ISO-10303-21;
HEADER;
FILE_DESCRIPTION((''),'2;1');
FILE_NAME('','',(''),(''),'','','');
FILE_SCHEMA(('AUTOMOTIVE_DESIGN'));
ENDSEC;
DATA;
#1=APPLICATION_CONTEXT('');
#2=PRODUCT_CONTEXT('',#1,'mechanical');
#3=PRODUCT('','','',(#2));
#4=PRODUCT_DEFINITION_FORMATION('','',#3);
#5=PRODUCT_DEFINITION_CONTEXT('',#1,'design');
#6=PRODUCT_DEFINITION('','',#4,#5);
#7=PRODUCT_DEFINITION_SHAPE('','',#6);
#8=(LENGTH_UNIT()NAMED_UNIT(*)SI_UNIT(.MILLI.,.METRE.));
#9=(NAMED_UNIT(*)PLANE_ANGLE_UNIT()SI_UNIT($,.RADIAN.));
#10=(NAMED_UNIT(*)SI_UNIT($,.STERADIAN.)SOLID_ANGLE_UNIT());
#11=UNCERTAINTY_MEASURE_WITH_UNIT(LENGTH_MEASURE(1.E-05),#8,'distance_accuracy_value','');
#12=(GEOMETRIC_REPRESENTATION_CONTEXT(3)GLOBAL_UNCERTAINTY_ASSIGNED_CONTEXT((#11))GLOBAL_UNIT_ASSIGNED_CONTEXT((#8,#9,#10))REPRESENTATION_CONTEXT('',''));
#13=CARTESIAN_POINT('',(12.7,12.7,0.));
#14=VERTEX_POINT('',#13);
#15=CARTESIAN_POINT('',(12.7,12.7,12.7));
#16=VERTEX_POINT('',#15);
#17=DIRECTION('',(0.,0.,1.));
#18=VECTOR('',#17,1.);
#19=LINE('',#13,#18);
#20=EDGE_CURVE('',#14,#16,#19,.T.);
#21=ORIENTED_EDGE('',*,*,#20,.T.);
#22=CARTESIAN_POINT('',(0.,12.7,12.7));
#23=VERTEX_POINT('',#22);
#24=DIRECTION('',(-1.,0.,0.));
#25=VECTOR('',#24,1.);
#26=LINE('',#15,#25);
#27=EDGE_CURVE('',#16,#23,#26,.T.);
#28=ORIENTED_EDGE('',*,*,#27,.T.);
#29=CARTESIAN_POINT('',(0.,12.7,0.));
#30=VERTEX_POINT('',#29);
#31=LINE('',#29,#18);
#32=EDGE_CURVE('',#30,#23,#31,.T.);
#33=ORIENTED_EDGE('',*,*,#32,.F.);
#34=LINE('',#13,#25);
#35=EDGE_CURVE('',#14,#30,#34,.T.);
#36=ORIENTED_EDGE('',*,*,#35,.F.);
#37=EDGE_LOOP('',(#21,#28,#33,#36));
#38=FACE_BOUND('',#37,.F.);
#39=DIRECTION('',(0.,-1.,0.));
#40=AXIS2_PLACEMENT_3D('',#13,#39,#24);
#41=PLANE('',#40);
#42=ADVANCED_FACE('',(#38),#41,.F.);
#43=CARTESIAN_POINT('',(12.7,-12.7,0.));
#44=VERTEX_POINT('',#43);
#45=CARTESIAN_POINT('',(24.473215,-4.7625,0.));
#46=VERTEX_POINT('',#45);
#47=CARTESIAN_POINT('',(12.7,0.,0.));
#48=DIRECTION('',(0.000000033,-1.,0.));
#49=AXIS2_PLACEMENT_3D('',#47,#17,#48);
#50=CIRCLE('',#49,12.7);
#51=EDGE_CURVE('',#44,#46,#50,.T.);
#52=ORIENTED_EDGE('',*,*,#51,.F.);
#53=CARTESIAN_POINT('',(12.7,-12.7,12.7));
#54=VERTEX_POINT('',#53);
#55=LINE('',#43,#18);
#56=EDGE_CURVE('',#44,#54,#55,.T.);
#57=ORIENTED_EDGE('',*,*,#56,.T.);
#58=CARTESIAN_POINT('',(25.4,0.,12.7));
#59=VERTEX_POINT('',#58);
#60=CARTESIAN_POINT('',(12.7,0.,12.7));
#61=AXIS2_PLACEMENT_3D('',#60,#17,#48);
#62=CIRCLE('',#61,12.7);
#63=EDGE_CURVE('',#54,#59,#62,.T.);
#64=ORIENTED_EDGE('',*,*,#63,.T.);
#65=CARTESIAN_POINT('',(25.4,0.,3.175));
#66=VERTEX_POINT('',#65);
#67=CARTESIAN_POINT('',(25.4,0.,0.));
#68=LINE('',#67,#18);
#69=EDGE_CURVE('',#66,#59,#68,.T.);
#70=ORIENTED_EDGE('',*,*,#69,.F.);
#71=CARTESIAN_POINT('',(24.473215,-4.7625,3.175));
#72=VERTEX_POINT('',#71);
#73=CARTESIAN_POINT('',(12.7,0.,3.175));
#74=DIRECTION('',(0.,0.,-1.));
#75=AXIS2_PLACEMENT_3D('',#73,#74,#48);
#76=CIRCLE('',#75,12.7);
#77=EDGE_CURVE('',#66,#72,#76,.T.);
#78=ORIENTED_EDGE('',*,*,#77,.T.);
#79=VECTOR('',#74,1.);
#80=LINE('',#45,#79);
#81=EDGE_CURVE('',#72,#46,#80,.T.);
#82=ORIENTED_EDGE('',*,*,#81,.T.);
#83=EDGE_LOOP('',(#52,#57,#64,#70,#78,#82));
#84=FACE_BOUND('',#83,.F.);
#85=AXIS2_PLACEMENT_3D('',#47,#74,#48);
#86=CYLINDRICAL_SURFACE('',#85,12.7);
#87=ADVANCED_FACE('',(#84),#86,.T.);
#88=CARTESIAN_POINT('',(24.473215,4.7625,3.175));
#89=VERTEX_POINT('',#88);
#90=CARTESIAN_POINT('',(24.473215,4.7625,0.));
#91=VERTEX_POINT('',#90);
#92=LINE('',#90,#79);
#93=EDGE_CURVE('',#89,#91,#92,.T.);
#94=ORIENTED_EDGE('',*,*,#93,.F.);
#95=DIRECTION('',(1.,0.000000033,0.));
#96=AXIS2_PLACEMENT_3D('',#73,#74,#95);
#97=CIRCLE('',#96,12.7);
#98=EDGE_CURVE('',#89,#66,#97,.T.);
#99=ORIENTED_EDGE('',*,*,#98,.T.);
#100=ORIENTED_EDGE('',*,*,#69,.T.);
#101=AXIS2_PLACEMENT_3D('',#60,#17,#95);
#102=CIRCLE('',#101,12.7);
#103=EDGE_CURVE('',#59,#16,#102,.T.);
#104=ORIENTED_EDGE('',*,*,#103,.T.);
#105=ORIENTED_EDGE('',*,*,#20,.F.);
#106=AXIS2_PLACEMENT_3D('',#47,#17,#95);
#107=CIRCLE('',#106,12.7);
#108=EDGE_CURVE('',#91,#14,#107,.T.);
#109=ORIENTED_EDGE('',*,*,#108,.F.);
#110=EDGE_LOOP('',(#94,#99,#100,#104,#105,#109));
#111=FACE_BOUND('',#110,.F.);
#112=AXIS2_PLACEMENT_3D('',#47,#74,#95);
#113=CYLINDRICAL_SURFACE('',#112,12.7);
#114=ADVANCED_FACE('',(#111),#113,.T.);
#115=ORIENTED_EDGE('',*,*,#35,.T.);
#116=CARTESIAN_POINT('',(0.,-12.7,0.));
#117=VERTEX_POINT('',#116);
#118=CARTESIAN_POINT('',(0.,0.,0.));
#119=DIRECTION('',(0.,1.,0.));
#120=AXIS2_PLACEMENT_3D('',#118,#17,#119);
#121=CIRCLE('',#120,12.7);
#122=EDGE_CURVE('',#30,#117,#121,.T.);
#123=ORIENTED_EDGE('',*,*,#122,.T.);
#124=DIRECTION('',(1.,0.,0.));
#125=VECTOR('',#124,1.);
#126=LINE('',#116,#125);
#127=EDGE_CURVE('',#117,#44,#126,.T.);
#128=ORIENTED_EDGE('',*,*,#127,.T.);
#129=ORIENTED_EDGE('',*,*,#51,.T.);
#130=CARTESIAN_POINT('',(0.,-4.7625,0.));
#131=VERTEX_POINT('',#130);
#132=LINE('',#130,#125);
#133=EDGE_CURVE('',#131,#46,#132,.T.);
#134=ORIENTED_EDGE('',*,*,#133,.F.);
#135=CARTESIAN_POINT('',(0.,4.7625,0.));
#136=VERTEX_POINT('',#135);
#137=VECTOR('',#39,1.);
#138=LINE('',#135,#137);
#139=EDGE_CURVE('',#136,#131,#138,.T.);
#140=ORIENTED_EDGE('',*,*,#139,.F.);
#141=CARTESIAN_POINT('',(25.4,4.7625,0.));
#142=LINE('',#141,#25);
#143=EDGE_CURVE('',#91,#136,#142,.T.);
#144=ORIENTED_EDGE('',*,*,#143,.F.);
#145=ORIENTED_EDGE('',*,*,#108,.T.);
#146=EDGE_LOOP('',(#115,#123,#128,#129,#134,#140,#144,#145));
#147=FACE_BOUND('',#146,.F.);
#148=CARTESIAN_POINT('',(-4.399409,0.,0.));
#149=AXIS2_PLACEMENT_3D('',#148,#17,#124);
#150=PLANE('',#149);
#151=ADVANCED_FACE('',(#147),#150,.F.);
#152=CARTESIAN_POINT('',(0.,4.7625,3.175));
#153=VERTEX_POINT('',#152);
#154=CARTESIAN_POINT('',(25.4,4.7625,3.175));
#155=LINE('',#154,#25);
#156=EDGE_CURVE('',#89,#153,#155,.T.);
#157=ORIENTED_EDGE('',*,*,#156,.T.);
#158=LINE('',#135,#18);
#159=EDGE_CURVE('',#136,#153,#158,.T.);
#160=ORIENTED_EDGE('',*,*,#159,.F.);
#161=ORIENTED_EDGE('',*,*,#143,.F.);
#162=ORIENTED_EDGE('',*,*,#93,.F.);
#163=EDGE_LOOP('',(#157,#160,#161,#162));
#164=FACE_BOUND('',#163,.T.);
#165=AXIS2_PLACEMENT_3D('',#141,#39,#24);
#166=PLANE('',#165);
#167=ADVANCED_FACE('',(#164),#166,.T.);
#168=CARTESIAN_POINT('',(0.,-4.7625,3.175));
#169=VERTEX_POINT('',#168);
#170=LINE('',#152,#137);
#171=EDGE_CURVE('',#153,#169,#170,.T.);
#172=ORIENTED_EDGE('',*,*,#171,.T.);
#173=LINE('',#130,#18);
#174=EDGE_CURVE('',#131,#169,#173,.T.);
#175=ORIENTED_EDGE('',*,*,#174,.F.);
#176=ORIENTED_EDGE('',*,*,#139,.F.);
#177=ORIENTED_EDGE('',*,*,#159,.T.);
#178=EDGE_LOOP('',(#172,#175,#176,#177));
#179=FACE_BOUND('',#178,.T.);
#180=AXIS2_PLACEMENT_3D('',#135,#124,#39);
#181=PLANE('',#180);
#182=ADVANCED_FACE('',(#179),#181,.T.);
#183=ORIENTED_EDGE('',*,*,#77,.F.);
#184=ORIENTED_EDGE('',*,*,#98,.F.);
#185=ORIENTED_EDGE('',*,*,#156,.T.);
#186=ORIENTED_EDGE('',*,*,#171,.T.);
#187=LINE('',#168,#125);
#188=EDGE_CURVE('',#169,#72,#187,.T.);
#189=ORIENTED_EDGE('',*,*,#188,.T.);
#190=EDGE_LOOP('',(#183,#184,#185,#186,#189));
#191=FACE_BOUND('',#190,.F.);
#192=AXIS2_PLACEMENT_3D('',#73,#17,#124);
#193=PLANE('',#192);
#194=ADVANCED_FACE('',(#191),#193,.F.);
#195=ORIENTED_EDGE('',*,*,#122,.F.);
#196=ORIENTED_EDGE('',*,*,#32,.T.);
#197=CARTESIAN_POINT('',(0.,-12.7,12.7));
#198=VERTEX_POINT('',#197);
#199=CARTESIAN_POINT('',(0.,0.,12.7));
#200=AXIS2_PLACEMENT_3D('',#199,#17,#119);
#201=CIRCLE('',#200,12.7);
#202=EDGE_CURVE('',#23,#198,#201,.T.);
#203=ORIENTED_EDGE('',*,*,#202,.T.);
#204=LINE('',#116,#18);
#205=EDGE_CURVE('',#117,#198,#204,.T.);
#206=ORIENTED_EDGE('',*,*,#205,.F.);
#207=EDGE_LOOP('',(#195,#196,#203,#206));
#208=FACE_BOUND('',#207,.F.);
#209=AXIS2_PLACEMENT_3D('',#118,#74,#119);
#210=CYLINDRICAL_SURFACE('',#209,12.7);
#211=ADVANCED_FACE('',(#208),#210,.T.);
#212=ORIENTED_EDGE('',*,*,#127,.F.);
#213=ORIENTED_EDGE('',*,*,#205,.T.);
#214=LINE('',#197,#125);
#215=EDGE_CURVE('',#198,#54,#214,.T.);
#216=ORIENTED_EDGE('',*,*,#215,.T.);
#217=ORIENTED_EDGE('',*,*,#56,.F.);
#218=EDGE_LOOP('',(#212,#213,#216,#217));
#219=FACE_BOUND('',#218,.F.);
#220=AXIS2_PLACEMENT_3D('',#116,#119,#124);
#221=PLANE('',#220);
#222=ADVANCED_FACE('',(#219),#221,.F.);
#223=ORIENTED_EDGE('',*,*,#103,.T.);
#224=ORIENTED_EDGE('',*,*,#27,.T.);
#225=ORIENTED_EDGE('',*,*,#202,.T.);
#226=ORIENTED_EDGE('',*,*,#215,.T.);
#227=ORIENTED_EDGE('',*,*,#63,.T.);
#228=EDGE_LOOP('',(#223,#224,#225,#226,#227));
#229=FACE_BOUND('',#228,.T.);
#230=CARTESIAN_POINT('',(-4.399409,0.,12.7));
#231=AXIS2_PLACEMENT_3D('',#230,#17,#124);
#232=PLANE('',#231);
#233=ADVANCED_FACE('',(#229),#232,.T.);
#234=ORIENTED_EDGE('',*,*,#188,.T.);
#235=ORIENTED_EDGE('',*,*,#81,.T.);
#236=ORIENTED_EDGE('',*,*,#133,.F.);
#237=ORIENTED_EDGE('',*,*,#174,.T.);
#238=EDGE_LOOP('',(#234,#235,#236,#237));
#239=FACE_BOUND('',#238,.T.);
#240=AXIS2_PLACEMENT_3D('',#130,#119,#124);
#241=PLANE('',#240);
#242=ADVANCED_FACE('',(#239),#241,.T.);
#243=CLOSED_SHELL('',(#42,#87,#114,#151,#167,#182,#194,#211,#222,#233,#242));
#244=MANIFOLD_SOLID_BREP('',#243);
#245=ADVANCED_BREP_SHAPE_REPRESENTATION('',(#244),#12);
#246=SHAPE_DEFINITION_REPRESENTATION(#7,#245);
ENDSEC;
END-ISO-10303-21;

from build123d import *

# Parameters (mm, degrees)
F1_DEPTH = 12.7
F3_DEPTH = 3.175


with BuildPart() as f1:
    # F0 (on Top) → F1 (new body)
    with BuildSketch(Plane.XY):
        with BuildLine():
            Line((0, 0), (0, 12.7))
            ThreePointArc((0, 12.7), (-12.7, 0), (0, -12.7))
            Line((0, -12.7), (0, 0))
        make_face()
        with BuildLine():
            Line((12.7, 0), (0, 0))
            ThreePointArc((0, 0), (1.701477, -6.35), (6.35, -10.998523))
            ThreePointArc((6.35, -10.998523), (10.998523, -6.35), (12.7, 0))
        make_face()
        with BuildLine():
            Line((0, 0), (0, -12.7))
            ThreePointArc((0, -12.7), (3.287002, -12.267258), (6.35, -10.998523))
            ThreePointArc((6.35, -10.998523), (1.701477, -6.35), (0, 0))
        make_face()
        with BuildLine():
            ThreePointArc((6.35, 10.998523), (3.287002, 12.267258), (0, 12.7))
            Line((0, 12.7), (0, 0))
            ThreePointArc((0, 0), (1.701477, 6.35), (6.35, 10.998523))
        make_face()
        with BuildLine():
            ThreePointArc((12.7, 0), (10.998523, 6.35), (6.35, 10.998523))
            ThreePointArc((6.35, 10.998523), (1.701477, 6.35), (0, 0))
            Line((0, 0), (12.7, 0))
        make_face()
        with BuildLine():
            ThreePointArc((12.7, 12.7), (9.412998, 12.267258), (6.35, 10.998523))
            ThreePointArc((6.35, 10.998523), (10.998523, 6.35), (12.7, 0))
            Line((12.7, 0), (12.7, 12.7))
        make_face()
        with BuildLine():
            ThreePointArc((25.4, 0), (21.680256, 8.980256), (12.7, 12.7))
            Line((12.7, 12.7), (12.7, 0))
            Line((12.7, 0), (12.7, -12.7))
            ThreePointArc((12.7, -12.7), (21.680256, -8.980256), (25.4, 0))
        make_face()
        with BuildLine():
            ThreePointArc((6.35, -10.998523), (3.287002, -12.267258), (0, -12.7))
            Line((0, -12.7), (12.7, -12.7))
            ThreePointArc((12.7, -12.7), (9.412998, -12.267258), (6.35, -10.998523))
        make_face()
        with BuildLine():
            Line((12.7, 12.7), (0, 12.7))
            ThreePointArc((0, 12.7), (3.287002, 12.267258), (6.35, 10.998523))
            ThreePointArc((6.35, 10.998523), (9.412998, 12.267258), (12.7, 12.7))
        make_face()
        with BuildLine():
            ThreePointArc((12.7, 0), (10.998523, -6.35), (6.35, -10.998523))
            ThreePointArc((6.35, -10.998523), (9.412998, -12.267258), (12.7, -12.7))
            Line((12.7, -12.7), (12.7, 0))
        make_face()
    extrude(amount=F1_DEPTH)

    # F2 (on Top) → F3 (cut)
    with BuildSketch(Plane.XY):
        Polygon((0, 4.7625), (0, 0), (0, -4.7625), (25.4, -4.7625), (25.4, 4.7625), align=None)
    extrude(amount=F3_DEPTH, mode=Mode.SUBTRACT)


solid = f1.part
